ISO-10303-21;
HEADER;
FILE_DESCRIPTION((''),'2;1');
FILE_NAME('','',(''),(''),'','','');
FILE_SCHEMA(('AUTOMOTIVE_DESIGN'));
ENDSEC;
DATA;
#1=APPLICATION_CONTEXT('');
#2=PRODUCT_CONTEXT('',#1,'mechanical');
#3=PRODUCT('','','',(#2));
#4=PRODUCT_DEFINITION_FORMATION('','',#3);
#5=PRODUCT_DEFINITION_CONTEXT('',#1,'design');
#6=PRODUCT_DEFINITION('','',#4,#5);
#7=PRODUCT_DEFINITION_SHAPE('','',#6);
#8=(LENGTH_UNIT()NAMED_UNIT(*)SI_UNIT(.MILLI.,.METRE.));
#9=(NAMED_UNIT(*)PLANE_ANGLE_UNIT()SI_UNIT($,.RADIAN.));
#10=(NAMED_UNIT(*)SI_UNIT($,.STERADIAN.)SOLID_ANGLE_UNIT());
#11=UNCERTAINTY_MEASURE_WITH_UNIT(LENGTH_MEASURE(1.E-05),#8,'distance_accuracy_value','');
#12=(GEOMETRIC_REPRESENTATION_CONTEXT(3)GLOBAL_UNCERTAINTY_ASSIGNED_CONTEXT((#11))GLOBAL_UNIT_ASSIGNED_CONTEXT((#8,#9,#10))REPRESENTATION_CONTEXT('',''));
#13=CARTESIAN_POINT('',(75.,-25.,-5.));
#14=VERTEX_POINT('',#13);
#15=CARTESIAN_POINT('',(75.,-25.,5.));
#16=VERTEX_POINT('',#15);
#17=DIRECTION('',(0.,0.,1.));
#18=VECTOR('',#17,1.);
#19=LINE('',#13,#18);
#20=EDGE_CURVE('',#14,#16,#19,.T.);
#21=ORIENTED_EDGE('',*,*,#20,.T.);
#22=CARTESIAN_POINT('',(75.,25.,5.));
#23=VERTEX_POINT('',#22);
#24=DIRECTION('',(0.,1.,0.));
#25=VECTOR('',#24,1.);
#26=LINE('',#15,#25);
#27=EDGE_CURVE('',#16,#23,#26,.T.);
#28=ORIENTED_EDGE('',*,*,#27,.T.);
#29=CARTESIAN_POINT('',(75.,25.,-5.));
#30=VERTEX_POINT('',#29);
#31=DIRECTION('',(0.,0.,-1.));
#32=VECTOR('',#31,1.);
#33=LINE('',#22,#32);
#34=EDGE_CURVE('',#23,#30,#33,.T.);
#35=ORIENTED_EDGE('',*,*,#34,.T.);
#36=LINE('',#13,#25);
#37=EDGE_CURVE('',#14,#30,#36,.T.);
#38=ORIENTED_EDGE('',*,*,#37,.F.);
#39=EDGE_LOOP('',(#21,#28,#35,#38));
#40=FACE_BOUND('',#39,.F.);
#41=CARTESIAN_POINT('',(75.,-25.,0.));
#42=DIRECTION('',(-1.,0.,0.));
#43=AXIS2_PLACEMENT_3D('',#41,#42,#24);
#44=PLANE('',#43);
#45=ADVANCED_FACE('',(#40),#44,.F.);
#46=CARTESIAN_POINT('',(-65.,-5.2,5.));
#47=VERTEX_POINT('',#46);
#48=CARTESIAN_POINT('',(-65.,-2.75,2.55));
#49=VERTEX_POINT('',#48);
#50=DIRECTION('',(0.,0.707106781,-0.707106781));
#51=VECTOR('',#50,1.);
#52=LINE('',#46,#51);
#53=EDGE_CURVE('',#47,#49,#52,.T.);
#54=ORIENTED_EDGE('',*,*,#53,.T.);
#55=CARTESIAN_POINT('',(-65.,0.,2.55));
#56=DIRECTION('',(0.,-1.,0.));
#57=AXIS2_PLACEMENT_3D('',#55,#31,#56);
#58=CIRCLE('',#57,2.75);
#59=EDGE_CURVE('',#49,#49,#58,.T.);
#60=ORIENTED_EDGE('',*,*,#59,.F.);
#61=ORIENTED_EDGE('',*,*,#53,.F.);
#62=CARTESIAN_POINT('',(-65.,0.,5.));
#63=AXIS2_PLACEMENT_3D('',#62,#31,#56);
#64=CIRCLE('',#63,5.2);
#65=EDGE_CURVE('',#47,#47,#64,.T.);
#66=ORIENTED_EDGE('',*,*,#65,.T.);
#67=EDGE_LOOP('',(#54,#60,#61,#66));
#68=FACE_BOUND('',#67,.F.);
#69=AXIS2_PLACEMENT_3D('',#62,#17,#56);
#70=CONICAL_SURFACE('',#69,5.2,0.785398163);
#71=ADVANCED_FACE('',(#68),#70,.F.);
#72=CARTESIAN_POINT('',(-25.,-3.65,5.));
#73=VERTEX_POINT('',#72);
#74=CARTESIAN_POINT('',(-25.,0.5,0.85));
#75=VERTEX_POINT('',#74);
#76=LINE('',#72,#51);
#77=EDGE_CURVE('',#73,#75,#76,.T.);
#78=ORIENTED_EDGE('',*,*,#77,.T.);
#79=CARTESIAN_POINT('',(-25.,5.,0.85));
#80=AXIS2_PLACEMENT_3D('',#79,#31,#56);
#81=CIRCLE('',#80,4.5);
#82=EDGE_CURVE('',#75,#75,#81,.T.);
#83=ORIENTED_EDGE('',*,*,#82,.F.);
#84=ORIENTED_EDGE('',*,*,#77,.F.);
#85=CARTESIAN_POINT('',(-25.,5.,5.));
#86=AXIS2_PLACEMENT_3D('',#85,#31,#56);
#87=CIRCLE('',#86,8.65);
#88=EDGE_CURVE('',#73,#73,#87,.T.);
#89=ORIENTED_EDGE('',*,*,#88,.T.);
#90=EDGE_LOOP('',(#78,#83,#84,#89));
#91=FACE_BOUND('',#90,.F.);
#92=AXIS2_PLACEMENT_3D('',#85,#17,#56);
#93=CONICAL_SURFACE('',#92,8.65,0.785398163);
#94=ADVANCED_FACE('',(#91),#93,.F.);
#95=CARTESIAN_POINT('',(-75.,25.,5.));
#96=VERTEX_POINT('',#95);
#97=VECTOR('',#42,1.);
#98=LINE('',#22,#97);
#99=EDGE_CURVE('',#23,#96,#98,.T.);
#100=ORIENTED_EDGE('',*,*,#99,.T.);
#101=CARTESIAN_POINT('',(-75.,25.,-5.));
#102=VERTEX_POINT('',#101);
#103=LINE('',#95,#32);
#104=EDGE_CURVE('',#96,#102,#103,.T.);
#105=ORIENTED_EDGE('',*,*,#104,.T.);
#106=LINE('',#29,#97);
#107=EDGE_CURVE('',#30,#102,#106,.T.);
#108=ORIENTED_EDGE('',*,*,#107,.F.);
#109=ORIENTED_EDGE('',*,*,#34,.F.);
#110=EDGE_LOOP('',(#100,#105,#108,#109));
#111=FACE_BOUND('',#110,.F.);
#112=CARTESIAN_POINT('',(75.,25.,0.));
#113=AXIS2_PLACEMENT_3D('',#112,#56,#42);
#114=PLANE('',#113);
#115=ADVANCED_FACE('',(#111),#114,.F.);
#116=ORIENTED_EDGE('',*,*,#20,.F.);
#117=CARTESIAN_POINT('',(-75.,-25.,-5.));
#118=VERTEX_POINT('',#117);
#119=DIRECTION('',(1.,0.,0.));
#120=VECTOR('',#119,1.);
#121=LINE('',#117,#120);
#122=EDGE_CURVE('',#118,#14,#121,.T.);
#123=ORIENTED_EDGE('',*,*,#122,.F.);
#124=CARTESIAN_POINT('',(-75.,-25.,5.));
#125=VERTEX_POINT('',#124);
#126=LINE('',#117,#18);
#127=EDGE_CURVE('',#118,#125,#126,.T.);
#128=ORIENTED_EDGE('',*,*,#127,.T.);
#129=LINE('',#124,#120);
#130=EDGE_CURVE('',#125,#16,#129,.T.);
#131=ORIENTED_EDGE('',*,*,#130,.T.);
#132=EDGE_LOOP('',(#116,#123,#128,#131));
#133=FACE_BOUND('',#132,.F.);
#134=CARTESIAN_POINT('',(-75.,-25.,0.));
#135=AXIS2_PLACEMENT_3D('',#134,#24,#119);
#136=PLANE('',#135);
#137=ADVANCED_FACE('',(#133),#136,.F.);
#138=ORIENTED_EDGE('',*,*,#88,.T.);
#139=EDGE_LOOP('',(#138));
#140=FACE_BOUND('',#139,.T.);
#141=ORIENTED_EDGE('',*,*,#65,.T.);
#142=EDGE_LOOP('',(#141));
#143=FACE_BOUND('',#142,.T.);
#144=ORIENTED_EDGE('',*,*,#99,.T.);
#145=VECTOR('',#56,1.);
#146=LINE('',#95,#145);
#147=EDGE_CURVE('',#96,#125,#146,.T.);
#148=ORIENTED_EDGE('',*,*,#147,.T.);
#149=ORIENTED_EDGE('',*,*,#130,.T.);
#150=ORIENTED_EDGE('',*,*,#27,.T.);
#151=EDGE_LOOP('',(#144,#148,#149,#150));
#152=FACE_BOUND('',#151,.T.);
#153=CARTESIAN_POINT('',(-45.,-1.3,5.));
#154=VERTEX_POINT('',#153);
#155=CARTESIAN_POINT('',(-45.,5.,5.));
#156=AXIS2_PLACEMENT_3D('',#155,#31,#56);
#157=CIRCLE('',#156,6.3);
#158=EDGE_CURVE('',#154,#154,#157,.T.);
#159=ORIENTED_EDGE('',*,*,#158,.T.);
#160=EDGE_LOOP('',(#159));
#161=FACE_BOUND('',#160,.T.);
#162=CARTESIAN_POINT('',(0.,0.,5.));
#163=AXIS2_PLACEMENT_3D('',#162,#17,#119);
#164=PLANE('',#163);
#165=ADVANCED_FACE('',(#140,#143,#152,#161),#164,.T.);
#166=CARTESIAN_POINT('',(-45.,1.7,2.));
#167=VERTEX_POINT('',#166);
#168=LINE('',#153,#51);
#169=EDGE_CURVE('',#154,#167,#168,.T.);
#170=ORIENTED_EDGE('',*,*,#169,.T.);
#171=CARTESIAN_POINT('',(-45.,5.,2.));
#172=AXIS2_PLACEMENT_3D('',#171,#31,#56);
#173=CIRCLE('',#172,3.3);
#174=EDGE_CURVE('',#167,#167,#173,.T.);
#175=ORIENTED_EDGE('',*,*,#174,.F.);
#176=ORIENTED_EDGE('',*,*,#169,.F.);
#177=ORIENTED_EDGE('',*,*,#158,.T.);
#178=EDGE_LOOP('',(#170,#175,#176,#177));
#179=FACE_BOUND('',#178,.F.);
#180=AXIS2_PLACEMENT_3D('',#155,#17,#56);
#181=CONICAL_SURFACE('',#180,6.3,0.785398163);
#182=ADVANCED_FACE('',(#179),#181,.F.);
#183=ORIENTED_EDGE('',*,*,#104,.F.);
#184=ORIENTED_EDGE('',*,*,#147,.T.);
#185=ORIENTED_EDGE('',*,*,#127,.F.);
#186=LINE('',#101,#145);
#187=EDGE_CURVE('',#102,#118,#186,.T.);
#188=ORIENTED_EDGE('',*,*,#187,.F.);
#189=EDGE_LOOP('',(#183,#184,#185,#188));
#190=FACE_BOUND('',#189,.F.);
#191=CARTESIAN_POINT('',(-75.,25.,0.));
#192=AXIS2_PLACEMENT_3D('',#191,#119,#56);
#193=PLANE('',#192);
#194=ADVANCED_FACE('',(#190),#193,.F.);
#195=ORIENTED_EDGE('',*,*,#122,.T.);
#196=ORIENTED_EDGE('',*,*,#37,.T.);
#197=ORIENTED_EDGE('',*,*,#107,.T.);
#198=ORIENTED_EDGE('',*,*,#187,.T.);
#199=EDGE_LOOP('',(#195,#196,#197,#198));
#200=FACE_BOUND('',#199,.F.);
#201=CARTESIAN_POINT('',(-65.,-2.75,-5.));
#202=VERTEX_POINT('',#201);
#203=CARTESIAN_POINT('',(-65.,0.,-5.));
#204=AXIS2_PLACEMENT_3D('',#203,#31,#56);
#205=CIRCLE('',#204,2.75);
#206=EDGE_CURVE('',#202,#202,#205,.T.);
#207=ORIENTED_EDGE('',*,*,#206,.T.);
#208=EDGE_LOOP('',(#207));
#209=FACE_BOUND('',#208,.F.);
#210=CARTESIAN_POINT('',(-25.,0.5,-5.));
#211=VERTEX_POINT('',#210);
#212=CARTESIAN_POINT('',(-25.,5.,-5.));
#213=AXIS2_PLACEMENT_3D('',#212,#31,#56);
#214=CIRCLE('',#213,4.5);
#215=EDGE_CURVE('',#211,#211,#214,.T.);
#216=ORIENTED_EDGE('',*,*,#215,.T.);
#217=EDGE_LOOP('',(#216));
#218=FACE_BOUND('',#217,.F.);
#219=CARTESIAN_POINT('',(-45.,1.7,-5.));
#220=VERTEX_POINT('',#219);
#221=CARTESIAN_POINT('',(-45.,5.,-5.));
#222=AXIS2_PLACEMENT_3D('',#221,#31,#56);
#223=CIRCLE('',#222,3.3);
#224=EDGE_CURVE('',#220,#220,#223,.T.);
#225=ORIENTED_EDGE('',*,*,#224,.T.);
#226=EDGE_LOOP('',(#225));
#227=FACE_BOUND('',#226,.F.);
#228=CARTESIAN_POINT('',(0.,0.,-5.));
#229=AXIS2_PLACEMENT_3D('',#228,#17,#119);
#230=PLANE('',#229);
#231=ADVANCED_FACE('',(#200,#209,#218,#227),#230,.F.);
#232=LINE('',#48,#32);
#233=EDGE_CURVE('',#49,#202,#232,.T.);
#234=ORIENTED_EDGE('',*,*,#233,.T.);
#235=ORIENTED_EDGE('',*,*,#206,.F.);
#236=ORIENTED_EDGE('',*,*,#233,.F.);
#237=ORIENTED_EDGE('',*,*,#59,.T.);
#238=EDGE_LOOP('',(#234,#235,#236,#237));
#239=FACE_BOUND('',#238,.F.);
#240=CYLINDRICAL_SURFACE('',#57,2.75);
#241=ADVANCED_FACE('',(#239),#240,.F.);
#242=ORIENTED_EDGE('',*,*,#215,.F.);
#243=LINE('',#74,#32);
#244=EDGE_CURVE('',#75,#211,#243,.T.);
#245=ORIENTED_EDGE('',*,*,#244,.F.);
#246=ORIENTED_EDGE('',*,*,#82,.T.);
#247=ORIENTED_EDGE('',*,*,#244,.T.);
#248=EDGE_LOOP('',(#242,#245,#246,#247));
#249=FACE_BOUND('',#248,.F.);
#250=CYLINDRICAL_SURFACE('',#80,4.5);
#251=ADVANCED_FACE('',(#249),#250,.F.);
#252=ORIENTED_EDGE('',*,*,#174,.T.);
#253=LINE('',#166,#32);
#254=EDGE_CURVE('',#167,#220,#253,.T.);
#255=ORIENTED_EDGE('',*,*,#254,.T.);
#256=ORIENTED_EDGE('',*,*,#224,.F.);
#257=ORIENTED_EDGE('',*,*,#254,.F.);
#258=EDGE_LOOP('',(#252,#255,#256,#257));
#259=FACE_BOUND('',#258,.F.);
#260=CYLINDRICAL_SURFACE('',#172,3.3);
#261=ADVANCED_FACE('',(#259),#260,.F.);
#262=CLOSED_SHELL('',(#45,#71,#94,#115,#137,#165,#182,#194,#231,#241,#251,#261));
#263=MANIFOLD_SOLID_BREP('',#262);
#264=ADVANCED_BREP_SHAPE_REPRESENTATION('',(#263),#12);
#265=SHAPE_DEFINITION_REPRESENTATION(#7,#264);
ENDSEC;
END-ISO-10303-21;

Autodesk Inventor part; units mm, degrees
ref_plane "YZ Plane" through (0, 0, 0) normal (1, 0, 0) x (0, 1, 0)
ref_plane "XZ Plane" through (0, 0, 0) normal (0, 1, 0) x (-1, 0, 0)
ref_plane "XY Plane" through (0, 0, 0) normal (0, 0, 1) x (1, 0, 0)
sketch "Sketch2" plane through (0, 0, 0) normal (0, 0, 1) x (1, 0, 0)
  line L0 (-75, -25) -> (75, -25)
  line L1 (75, -25) -> (75, 25)
  line L2 (75, 25) -> (-75, 25)
  line L3 (-75, 25) -> (-75, -25)
  line L4 (-75, -25) -> (75, 25) construction
  line L5 (75, -25) -> (-75, 25) construction
  point P0 (0, 0)
  dimension "d1" = 150
  dimension "d2" = 50
extrude "Extrusion1" add sketch "Sketch2" along normal mid plane 10
sketch "Sketch3" plane through (0, 0, 5) normal (0, 0, 1) x (1, 0, 0)
  line L0 (-75, 25) -> (-75, -25) projected
  line L1 (75, 25) -> (-75, 25) projected
  point P0 (0, 0)
  point P1 (-65, 0)
  dimension "d40" = 10
  dimension "d43" = 25
hole "Hole1" at (-65, 0, 5) direction (0, 0, -1) diameter 5.5 depth 14.2 tip angle 118 countersink diameter 10.4 countersink angle 90 clearance for "Counter Sink" size "M5" standard "TS Profile"
sketch "Sketch4" plane through (0, 0, 5) normal (0, 0, 1) x (1, 0, 0)
  line L0 (-75, 25) -> (-75, -25) projected
  line L1 (75, 25) -> (-75, 25) projected
  point P0 (0, 0)
  point P1 (-45, 5)
  dimension "d41" = 30
  dimension "d42" = 20
hole "Hole2" at (-45, 5, 5) direction (0, 0, -1) diameter 6.6 depth 14.2 tip angle 118 countersink diameter 12.6 countersink angle 90 clearance for "Counter Sink" size "M6" standard "TS Profile"
sketch "Sketch5" plane through (0, 0, 5) normal (0, 0, 1) x (1, 0, 0)
  line L0 (-75, 25) -> (-75, -25) projected
  line L1 (75, 25) -> (-75, 25) projected
  point P0 (0, 0)
  point P1 (-25, 5)
  dimension "d44" = 50
  dimension "d45" = 20
hole "Hole3" at (-25, 5, 5) direction (0, 0, -1) diameter 9 depth 14.2 tip angle 118 countersink diameter 17.3 countersink angle 90 clearance for "Counter Sink" size "M8" standard "TS Profile"
properties part number "홀간 거리 확인 파트-10" material "SS400"
